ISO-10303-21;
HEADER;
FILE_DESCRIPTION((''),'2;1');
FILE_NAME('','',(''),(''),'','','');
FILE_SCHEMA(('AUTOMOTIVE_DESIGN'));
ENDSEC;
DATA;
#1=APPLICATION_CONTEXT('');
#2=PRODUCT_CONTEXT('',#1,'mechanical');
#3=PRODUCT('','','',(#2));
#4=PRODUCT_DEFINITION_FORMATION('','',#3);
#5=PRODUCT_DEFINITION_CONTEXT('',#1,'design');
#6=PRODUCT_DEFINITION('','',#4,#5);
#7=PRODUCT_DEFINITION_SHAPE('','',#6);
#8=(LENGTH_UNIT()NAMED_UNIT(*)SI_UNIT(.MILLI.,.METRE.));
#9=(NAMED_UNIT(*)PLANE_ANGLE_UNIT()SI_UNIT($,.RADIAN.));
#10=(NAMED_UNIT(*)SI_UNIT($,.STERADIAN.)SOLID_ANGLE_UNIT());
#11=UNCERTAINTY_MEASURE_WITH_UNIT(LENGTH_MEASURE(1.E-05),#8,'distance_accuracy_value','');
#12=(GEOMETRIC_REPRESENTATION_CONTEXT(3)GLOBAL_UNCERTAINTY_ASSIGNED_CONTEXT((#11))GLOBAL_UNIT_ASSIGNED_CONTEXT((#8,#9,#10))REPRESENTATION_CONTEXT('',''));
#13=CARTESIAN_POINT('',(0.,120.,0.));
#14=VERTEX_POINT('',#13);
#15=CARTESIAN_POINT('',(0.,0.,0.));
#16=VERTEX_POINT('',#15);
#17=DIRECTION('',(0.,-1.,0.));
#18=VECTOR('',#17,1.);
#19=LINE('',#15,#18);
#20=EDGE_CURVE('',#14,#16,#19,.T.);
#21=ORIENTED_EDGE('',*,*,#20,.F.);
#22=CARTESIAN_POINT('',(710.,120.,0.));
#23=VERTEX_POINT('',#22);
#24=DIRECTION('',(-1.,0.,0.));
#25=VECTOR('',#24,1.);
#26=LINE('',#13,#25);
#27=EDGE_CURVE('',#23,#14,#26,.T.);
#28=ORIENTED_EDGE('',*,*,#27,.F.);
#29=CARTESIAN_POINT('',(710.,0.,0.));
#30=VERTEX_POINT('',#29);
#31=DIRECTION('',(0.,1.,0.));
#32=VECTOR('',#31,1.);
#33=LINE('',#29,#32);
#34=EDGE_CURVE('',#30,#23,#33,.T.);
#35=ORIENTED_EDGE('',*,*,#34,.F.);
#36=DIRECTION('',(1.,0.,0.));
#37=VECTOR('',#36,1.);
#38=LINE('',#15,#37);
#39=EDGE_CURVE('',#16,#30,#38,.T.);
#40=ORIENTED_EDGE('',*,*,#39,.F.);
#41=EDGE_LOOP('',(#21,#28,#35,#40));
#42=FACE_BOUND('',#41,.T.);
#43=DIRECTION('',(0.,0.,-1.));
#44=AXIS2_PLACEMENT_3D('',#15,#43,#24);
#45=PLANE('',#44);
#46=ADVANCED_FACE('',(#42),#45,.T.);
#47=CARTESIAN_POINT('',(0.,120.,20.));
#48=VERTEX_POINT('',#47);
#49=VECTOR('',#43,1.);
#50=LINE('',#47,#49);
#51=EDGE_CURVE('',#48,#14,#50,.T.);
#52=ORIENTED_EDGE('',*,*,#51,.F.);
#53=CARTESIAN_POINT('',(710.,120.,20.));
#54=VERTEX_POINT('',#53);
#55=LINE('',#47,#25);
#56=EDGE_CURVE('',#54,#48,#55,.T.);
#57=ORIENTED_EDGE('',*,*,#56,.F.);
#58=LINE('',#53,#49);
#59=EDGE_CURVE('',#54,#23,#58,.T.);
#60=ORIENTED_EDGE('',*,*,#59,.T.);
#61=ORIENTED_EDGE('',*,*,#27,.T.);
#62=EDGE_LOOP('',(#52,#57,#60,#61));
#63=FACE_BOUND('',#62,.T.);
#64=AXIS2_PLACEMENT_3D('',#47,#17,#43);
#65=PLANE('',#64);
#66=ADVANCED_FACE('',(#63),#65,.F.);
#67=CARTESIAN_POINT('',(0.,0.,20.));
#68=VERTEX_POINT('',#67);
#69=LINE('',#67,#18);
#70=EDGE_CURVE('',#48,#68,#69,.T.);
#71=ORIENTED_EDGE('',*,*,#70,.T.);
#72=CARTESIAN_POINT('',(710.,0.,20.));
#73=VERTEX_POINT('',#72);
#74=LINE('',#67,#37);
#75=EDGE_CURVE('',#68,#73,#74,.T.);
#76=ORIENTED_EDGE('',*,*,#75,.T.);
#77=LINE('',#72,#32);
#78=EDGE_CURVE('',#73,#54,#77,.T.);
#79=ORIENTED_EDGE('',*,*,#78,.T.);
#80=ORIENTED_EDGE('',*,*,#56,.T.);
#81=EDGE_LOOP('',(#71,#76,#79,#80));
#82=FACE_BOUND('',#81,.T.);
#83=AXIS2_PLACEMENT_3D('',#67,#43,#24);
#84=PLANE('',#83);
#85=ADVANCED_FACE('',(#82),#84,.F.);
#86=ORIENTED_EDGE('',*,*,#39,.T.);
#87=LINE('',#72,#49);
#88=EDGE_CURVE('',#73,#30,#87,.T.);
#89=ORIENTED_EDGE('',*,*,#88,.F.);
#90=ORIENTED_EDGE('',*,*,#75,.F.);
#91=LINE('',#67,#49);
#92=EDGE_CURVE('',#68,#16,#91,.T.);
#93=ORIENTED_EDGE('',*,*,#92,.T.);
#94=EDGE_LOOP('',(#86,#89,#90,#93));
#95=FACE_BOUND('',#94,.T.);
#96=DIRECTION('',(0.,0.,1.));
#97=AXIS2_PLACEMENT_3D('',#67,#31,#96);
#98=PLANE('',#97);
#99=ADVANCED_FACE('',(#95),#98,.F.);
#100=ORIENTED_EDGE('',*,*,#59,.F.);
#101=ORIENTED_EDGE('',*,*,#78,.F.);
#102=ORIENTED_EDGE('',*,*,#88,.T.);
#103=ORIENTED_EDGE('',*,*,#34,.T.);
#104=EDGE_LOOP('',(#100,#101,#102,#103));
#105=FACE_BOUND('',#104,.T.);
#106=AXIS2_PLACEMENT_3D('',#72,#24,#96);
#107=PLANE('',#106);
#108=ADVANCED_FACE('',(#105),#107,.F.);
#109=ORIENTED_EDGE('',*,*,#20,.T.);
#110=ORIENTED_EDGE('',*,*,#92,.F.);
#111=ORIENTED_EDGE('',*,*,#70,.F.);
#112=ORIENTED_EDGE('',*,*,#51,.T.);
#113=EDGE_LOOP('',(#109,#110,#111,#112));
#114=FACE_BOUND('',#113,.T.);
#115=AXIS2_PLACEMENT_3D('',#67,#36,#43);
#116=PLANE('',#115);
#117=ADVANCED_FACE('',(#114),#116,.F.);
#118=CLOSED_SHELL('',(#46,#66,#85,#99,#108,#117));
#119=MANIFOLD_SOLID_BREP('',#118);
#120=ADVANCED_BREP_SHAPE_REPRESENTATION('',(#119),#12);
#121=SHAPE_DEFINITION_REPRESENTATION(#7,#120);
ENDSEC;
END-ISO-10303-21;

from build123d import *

# Parameters (mm, degrees)
SKETCH1_W           = 710
SKETCH1_H           = 120
BOSS_EXTRUDE1_DEPTH = 20


with BuildPart() as part:
    # Sketch1 → Boss-Extrude1 (new body)
    with BuildSketch(Plane.XY):
        with Locations((355, 60)):
            Rectangle(SKETCH1_W, SKETCH1_H)
    extrude(amount=BOSS_EXTRUDE1_DEPTH)


solid = part.part
